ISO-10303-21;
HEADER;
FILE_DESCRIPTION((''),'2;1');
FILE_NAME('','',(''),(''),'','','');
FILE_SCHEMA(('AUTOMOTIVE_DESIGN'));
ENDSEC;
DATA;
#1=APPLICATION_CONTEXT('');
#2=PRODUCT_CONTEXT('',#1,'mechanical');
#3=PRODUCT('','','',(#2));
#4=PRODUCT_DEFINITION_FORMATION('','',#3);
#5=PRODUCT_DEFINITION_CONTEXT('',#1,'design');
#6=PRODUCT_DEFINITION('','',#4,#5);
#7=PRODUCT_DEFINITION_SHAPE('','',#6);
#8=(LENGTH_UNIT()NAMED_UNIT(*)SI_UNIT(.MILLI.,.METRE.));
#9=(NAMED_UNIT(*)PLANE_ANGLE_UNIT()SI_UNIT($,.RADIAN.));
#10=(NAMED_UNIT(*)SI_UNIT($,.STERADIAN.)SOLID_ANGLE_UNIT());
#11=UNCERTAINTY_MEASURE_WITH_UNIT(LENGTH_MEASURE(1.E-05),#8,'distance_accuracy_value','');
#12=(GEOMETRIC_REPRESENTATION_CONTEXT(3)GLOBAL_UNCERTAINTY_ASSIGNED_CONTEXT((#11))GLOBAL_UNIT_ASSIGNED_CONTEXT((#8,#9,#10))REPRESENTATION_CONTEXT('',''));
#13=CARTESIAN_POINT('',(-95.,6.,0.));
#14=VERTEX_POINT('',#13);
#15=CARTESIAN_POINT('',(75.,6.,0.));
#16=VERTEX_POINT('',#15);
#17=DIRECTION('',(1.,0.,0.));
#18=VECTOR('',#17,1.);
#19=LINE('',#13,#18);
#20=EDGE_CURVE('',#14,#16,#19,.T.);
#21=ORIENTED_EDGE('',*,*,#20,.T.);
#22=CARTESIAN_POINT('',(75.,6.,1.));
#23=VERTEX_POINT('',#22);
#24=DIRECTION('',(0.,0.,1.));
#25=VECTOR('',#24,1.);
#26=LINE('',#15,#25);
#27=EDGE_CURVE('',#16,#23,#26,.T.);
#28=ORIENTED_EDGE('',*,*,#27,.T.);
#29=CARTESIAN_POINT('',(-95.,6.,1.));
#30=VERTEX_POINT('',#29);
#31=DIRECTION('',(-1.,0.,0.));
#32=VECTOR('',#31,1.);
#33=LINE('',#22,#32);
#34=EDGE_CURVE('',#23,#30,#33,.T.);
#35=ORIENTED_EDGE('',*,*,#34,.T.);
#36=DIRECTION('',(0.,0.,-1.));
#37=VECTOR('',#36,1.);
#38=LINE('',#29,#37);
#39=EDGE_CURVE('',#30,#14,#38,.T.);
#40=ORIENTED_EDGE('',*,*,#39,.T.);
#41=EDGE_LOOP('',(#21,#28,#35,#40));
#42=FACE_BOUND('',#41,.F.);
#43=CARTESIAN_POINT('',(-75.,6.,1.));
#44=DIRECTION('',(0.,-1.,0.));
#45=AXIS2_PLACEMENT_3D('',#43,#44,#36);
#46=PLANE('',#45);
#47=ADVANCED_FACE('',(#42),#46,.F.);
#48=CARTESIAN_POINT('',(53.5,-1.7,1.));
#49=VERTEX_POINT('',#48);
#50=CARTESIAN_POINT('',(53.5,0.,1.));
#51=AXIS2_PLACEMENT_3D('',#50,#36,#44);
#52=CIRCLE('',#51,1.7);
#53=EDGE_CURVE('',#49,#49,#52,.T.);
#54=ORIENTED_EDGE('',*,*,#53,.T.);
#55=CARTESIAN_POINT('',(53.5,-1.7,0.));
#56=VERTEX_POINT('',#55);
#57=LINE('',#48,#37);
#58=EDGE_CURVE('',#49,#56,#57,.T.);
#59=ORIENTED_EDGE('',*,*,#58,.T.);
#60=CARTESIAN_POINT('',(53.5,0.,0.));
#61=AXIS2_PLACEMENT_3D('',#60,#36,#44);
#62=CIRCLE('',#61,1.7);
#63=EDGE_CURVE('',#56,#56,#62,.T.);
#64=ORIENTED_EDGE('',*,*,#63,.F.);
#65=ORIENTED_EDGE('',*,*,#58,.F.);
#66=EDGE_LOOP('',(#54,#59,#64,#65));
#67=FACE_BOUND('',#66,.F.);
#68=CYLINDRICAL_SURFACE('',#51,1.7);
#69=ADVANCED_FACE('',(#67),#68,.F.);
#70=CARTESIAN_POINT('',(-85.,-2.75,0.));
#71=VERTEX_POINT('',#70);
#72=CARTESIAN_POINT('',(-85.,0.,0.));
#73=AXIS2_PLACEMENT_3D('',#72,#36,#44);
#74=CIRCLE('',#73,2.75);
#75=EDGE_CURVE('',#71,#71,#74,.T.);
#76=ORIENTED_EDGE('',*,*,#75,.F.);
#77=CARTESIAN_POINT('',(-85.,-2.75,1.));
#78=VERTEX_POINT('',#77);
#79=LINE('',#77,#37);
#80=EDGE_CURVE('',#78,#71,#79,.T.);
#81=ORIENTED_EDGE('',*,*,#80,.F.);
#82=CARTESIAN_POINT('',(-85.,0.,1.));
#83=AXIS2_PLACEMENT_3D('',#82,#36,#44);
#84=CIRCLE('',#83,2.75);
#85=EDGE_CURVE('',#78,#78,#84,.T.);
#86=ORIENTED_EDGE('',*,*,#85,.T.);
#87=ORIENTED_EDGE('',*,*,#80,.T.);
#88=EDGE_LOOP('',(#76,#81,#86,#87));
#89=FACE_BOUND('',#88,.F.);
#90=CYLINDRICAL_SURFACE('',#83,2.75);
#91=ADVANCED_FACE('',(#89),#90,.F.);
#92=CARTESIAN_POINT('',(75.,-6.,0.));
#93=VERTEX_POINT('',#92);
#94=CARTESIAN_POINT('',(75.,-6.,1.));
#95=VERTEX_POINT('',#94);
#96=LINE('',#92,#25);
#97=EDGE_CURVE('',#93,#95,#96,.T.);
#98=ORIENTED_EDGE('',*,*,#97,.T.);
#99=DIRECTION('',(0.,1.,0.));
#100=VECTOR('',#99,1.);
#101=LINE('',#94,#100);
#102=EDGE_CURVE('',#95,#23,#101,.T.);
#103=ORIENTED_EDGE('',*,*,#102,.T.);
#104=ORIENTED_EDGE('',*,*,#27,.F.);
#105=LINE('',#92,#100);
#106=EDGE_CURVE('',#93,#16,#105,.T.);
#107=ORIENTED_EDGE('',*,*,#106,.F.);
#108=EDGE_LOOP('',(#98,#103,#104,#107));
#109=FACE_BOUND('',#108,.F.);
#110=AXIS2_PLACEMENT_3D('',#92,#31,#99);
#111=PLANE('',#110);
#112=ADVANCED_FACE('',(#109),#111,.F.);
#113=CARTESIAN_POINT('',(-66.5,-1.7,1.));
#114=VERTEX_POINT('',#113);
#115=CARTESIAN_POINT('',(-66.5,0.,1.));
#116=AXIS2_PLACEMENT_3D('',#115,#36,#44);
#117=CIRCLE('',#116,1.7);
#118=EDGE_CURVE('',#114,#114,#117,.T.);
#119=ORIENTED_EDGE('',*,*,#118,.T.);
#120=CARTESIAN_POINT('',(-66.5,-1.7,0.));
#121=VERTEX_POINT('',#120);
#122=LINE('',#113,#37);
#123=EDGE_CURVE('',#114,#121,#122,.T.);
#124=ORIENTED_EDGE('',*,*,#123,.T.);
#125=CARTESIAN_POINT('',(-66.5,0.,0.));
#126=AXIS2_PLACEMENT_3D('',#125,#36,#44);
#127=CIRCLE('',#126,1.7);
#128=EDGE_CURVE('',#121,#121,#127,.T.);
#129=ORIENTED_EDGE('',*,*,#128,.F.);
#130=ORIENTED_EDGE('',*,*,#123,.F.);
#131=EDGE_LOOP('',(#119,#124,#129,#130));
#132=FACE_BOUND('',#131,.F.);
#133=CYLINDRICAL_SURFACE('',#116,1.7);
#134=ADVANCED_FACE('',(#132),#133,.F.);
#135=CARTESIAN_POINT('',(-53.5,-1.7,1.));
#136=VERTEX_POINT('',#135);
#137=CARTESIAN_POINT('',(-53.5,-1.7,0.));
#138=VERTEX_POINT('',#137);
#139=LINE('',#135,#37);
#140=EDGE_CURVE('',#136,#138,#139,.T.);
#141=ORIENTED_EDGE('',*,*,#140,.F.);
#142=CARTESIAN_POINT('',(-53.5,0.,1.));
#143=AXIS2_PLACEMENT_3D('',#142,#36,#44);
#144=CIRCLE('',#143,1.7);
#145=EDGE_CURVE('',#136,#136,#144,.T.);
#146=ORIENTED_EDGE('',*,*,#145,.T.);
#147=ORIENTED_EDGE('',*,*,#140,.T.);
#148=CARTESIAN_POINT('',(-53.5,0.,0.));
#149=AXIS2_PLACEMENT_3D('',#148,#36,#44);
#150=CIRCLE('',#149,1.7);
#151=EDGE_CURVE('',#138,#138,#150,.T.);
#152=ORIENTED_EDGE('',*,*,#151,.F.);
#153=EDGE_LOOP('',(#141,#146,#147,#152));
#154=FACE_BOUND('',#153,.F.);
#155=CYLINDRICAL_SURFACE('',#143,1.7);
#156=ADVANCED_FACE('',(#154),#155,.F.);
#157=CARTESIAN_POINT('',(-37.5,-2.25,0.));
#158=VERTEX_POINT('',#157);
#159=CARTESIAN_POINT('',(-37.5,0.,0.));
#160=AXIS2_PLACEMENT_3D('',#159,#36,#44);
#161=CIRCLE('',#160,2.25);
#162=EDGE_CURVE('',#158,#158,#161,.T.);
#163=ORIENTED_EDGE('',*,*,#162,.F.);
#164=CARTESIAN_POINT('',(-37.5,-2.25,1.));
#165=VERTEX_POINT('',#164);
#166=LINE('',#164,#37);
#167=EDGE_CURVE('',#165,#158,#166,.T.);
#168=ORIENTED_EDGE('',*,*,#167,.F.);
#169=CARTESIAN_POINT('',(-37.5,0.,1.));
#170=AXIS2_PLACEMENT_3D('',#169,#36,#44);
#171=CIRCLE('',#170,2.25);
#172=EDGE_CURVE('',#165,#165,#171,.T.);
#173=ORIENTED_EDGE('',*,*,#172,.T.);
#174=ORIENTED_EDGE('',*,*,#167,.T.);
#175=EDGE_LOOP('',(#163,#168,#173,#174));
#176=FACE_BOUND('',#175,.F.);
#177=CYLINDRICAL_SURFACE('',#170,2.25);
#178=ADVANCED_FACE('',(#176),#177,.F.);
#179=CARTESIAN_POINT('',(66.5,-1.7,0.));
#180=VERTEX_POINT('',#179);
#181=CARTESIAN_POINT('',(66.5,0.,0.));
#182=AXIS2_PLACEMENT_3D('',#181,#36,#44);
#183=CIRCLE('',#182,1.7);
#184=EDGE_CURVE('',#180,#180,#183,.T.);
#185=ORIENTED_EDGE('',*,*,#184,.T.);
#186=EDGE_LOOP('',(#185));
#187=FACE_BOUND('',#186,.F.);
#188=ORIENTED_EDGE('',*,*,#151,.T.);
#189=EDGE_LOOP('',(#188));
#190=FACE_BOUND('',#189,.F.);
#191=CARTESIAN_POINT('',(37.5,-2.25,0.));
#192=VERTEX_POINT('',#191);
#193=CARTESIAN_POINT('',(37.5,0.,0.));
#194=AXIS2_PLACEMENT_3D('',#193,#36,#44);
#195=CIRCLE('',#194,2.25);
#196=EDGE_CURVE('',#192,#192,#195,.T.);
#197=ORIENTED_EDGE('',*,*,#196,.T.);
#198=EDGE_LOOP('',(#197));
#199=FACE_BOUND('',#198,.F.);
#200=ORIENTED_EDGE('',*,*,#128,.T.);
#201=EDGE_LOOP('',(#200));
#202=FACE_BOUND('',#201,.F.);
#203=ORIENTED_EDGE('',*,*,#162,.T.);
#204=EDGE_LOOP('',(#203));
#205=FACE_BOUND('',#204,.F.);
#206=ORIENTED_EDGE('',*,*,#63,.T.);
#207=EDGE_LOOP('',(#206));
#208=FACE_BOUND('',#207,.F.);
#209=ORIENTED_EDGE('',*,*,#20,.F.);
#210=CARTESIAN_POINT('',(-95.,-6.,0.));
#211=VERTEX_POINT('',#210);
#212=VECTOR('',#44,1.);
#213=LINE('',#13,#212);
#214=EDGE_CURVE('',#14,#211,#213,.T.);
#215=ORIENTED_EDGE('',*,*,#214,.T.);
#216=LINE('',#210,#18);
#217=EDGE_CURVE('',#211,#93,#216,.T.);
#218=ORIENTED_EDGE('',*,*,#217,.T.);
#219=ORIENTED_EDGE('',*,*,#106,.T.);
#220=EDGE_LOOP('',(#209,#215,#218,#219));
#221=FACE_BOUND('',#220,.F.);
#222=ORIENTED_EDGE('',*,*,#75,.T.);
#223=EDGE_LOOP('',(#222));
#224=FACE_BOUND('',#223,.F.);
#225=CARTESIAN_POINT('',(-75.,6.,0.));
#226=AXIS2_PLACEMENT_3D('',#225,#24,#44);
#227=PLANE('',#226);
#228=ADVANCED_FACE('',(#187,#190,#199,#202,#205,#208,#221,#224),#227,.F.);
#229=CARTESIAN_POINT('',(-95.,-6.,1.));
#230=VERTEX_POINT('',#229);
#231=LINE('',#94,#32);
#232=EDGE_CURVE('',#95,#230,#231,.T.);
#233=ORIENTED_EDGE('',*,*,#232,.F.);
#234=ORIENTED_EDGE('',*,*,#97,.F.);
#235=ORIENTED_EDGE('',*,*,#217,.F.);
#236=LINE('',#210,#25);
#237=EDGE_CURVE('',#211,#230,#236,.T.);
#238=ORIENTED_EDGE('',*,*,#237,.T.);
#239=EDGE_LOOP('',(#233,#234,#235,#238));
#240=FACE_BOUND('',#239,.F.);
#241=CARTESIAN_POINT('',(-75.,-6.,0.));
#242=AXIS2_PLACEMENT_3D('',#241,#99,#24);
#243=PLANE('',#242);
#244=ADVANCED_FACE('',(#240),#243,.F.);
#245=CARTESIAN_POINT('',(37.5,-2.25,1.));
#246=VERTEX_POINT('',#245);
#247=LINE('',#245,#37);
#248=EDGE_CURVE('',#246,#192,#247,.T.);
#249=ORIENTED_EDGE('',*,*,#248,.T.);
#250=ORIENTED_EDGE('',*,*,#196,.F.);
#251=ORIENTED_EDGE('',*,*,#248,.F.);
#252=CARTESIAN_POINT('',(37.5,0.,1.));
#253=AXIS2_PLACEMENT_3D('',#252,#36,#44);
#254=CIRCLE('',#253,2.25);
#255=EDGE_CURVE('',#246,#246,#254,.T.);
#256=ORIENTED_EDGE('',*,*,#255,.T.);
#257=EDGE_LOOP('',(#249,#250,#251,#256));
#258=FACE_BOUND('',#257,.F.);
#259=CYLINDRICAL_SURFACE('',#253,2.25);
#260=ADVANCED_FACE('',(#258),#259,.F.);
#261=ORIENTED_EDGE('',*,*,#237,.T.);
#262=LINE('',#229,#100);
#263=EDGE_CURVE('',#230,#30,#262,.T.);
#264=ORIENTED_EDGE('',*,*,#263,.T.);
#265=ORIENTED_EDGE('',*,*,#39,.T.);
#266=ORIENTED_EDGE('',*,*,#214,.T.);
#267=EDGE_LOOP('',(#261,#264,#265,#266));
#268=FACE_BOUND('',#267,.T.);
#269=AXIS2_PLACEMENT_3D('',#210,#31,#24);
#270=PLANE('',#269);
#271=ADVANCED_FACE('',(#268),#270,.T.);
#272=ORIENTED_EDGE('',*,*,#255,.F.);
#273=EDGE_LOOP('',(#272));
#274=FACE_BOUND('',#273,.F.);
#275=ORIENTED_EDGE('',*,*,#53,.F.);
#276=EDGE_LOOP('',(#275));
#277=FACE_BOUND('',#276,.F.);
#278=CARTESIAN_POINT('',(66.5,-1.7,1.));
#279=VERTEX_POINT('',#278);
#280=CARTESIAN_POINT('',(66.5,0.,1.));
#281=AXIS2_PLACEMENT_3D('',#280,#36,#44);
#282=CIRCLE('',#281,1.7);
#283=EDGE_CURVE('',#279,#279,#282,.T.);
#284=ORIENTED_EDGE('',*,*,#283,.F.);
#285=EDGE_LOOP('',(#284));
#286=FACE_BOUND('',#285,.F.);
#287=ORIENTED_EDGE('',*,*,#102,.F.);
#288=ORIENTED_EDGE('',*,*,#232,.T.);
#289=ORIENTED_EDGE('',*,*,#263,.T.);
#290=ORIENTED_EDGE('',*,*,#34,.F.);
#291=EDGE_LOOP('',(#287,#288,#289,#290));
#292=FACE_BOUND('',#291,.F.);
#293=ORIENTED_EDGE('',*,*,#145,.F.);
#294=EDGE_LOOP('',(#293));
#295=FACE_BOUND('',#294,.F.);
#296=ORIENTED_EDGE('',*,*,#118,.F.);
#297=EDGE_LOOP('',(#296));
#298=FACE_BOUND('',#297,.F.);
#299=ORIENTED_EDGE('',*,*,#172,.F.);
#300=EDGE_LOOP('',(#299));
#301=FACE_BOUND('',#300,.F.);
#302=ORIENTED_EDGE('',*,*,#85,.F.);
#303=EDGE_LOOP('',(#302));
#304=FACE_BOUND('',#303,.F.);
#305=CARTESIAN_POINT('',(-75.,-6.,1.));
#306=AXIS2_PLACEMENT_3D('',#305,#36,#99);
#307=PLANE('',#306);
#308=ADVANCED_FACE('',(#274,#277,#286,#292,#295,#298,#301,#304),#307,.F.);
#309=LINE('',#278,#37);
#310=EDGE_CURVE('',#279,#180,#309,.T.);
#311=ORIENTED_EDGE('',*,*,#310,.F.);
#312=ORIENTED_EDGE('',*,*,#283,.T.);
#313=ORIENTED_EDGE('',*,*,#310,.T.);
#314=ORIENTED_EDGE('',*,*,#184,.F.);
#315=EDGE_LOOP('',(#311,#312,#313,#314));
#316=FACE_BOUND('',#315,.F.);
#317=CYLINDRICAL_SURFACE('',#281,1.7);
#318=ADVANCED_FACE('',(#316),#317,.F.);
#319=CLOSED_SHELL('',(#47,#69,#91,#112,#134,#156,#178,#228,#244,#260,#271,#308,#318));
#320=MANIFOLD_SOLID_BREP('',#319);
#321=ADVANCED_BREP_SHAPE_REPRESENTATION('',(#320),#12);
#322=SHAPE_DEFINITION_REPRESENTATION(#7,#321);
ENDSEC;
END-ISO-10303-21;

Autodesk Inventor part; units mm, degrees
ref_plane "YZ Plane" through (0, 0, 0) normal (1, 0, 0) x (0, 1, 0)
ref_plane "XZ Plane" through (0, 0, 0) normal (0, 1, 0) x (-1, 0, 0)
ref_plane "XY Plane" through (0, 0, 0) normal (0, 0, 1) x (1, 0, 0)
sketch "Sketch1" plane through (0, 0, 0) normal (0, 0, 1) x (1, 0, 0)
  line L0 (-75, -6) -> (75, -6)
  line L1 (75, -6) -> (75, 6)
  line L2 (75, 6) -> (-75, 6)
  line L3 (-75, 6) -> (-75, -6)
  line L4 (-75, -6) -> (75, 6) construction
  line L5 (75, -6) -> (-75, 6) construction
  point P0 (0, 0)
  dimension "d0" = 150
  dimension "d1" = 12
extrude "Extrusion1" add sketch "Sketch1" along normal blind 1
sketch "Sketch2" plane through (0, 0, 1) normal (0, 0, 1) x (1, 0, 0)
  line L0 (-66.5, 0) -> (-53.5, 0) construction
  line L1 (-53.5, 0) -> (53.5, 0) construction
  line L2 (53.5, 0) -> (66.5, 0) construction
  point P0 (0, 0)
  point P1 (0, 0)
  dimension "d4" = 133
  dimension "d5" = 13
  dimension "d6" = 13
hole "Hole1" at (-66.5, 0, 1) at (-53.5, 0, 1) at (66.5, 0, 1) at (53.5, 0, 1) direction (0, 0, -1) diameter 3.4 depth 8 tip angle 118 clearance for "Countersunk Flat Head Screw DIN EN ISO 2009" size "M3" standard "DIN"
sketch "Sketch4" plane through (0, 0, 1) normal (0, 0, 1) x (1, 0, 0)
  line L0 (-37.5, 0) -> (37.5, 0) construction
  point P0 (0, 0)
  point P1 (0, 0)
  dimension "d21" = 75
hole "Hole3" at (-37.5, 0, 1) at (37.5, 0, 1) direction (0, 0, -1) diameter 4.5 depth 8 tip angle 118 clearance for "Countersunk Flat Head Screw DIN EN ISO 2009" size "M4" standard "DIN"
sketch "Sketch6" plane through (-75, -6, 0) normal (-1, 0, 0) x (0, 0, 1)
  line L0 (1, 0) -> (1, 12) projected
  line L1 (0, 0) -> (1, 0)
  line L2 (1, 0) -> (1, 12)
  line L3 (1, 12) -> (0, 12)
  line L4 (0, 12) -> (0, 0)
  point P0 (0, 6)
extrude "Extrusion2" add sketch "Sketch6" along normal blind 20
sketch "Sketch7" plane through (0, 0, 1) normal (0, 0, 1) x (1, 0, 0)
  line L0 (-95, -6) -> (-95, 6) projected
  point P0 (0, 0)
  point P1 (-85, 0)
  dimension "d39" = 10
hole "Hole5" at (-85, 0, 1) direction (0, 0, -1) diameter 5.5 depth 8 tip angle 118 clearance for "Countersunk Flat Head Screw DIN EN ISO 2009" size "M5" standard "DIN"
properties part number "CU6" material "Copper"
